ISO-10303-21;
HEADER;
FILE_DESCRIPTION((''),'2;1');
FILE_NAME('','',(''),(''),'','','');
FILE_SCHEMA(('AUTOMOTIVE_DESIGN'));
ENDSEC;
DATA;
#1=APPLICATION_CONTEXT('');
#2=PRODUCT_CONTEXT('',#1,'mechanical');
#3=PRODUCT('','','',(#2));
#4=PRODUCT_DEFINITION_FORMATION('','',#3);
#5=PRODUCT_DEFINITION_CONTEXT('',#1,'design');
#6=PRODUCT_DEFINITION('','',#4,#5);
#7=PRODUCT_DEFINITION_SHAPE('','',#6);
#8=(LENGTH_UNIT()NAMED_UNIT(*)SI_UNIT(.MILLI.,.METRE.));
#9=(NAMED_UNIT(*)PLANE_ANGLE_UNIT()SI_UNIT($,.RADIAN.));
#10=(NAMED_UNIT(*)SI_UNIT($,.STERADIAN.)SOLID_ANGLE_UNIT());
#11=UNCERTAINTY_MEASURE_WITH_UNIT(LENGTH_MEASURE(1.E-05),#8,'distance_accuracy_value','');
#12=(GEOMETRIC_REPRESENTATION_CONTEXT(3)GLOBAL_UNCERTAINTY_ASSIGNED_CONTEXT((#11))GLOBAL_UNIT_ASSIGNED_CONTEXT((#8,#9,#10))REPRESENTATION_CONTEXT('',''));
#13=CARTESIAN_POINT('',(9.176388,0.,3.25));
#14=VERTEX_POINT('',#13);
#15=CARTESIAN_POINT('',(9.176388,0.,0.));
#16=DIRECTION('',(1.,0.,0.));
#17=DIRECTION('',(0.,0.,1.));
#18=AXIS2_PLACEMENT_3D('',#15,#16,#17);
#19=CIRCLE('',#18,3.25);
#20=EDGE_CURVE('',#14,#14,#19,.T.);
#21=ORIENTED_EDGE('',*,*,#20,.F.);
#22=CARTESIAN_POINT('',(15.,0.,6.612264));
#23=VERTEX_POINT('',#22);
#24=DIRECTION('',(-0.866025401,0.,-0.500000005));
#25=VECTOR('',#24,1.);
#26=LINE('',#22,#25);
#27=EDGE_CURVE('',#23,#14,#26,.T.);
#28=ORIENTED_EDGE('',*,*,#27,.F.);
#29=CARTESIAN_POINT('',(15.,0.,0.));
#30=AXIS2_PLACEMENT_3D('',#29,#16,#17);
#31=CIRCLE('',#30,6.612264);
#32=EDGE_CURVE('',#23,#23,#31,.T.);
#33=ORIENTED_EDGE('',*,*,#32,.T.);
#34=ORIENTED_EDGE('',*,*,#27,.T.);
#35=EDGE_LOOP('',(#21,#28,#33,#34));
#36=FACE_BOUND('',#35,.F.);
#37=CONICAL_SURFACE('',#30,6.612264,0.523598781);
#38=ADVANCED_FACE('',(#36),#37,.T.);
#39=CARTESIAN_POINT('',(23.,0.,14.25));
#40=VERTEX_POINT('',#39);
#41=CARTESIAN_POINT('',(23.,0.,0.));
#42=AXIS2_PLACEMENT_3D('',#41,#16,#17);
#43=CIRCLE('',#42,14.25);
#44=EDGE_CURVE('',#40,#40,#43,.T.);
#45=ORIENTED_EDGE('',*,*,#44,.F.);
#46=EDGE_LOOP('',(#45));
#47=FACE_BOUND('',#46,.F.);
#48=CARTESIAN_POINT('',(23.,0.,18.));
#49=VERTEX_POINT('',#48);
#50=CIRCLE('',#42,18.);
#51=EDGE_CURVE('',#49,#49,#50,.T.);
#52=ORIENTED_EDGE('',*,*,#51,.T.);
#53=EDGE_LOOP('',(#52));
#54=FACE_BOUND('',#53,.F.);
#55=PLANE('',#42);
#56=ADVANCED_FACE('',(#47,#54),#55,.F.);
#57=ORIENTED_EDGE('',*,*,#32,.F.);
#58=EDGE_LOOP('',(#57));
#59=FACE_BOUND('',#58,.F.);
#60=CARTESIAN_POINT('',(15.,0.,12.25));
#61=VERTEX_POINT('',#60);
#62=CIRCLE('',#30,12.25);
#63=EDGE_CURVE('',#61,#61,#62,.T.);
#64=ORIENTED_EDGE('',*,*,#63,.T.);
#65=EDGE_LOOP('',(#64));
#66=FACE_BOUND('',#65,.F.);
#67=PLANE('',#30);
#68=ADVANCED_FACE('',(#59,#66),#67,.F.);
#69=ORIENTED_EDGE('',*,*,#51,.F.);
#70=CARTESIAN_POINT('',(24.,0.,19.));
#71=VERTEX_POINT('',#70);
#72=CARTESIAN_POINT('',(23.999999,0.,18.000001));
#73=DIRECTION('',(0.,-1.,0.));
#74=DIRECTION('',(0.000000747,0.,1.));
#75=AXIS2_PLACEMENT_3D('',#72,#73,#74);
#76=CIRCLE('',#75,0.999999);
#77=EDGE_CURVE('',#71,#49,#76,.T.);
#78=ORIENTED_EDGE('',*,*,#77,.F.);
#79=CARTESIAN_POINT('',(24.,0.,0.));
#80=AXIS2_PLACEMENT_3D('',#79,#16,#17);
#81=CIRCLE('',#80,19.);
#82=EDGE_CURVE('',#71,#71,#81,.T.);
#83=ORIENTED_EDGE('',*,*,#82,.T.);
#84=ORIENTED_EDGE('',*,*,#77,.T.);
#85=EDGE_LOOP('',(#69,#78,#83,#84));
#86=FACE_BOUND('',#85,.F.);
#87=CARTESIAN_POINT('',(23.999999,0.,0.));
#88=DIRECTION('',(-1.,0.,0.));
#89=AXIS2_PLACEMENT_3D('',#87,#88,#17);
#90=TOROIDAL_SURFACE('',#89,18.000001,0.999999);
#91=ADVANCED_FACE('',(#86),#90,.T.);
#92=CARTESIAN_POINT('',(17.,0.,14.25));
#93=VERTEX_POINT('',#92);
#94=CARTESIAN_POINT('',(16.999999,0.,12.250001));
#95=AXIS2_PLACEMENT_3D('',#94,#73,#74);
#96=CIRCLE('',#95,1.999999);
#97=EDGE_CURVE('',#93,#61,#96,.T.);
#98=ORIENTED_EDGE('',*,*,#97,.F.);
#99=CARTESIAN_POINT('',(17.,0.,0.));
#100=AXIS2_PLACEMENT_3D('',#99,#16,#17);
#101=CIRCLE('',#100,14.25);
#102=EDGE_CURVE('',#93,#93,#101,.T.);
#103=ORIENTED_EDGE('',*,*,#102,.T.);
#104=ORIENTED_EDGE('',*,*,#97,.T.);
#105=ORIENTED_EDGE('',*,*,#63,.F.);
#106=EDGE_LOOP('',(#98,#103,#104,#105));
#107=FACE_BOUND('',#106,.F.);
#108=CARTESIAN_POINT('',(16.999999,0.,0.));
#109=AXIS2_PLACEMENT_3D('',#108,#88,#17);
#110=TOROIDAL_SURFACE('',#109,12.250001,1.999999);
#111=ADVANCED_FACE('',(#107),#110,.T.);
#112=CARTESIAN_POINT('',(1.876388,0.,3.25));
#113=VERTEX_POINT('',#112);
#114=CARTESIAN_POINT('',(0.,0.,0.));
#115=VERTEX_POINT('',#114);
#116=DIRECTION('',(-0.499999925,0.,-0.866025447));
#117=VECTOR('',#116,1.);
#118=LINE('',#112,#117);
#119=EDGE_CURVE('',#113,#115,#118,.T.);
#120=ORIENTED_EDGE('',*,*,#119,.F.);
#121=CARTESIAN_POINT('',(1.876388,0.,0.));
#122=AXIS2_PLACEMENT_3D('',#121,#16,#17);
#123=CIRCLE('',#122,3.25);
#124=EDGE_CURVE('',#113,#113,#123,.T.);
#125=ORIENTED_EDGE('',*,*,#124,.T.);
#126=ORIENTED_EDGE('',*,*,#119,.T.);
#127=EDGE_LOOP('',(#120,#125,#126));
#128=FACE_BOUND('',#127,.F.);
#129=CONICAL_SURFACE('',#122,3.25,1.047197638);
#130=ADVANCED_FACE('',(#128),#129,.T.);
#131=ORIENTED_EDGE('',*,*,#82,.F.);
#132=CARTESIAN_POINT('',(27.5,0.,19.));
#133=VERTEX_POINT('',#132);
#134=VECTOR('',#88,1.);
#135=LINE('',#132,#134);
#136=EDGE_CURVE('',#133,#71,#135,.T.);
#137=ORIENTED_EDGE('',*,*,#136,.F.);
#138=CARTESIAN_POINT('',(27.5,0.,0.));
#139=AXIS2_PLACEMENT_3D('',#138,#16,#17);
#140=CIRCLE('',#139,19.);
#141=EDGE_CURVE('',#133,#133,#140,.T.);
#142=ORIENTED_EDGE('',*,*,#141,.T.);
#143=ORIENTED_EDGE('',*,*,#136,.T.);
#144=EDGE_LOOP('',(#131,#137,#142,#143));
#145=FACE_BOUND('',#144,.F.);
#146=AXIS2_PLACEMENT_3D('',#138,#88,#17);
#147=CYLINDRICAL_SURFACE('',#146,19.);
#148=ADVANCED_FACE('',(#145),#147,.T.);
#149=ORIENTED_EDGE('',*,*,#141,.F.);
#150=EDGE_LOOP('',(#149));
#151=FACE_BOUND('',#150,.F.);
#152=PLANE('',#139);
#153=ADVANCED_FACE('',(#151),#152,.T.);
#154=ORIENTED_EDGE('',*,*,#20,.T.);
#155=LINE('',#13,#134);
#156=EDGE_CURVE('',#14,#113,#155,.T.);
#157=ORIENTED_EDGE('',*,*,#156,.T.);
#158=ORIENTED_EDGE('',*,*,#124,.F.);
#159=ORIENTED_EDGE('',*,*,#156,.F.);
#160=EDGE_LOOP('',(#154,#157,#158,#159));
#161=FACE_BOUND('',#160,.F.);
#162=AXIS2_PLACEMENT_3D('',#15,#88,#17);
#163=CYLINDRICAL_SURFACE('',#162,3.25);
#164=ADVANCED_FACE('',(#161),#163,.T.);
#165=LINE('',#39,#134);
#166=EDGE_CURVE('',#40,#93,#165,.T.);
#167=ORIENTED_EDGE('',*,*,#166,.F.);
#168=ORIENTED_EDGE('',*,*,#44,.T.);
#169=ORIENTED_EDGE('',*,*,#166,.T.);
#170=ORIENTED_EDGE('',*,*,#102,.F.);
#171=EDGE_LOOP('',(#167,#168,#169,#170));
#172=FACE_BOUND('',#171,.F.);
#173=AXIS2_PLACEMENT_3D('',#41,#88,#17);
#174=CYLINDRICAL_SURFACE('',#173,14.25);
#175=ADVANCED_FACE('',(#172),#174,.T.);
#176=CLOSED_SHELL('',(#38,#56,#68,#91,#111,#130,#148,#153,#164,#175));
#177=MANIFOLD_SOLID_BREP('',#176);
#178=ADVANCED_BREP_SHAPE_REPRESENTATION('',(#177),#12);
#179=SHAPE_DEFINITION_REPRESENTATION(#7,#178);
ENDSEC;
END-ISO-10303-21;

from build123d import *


with BuildPart() as f1:
    # F0 (on Front) → F1 (revolve)
    with BuildSketch(Plane.XZ):
        with BuildLine():
            Line((27.5, 0), (27.5, 19))
            Line((27.5, 19), (24, 19))
            ThreePointArc((24, 19), (23.292893, 18.707107), (23, 18))
            Line((23, 18), (23, 14.25))
            Line((23, 14.25), (17, 14.25))
            ThreePointArc((17, 14.25), (15.585786, 13.664214), (15, 12.25))
            Line((15, 12.25), (15, 6.612264))
            Line((15, 6.612264), (9.176388, 3.25))
            Line((9.176388, 3.25), (1.876388, 3.25))
            Line((1.876388, 3.25), (0, 0))
            Line((0, 0), (27.5, 0))
        make_face()
    revolve(axis=Axis((13.75, 0, 0), (1, 0, 0)))


solid = f1.part
